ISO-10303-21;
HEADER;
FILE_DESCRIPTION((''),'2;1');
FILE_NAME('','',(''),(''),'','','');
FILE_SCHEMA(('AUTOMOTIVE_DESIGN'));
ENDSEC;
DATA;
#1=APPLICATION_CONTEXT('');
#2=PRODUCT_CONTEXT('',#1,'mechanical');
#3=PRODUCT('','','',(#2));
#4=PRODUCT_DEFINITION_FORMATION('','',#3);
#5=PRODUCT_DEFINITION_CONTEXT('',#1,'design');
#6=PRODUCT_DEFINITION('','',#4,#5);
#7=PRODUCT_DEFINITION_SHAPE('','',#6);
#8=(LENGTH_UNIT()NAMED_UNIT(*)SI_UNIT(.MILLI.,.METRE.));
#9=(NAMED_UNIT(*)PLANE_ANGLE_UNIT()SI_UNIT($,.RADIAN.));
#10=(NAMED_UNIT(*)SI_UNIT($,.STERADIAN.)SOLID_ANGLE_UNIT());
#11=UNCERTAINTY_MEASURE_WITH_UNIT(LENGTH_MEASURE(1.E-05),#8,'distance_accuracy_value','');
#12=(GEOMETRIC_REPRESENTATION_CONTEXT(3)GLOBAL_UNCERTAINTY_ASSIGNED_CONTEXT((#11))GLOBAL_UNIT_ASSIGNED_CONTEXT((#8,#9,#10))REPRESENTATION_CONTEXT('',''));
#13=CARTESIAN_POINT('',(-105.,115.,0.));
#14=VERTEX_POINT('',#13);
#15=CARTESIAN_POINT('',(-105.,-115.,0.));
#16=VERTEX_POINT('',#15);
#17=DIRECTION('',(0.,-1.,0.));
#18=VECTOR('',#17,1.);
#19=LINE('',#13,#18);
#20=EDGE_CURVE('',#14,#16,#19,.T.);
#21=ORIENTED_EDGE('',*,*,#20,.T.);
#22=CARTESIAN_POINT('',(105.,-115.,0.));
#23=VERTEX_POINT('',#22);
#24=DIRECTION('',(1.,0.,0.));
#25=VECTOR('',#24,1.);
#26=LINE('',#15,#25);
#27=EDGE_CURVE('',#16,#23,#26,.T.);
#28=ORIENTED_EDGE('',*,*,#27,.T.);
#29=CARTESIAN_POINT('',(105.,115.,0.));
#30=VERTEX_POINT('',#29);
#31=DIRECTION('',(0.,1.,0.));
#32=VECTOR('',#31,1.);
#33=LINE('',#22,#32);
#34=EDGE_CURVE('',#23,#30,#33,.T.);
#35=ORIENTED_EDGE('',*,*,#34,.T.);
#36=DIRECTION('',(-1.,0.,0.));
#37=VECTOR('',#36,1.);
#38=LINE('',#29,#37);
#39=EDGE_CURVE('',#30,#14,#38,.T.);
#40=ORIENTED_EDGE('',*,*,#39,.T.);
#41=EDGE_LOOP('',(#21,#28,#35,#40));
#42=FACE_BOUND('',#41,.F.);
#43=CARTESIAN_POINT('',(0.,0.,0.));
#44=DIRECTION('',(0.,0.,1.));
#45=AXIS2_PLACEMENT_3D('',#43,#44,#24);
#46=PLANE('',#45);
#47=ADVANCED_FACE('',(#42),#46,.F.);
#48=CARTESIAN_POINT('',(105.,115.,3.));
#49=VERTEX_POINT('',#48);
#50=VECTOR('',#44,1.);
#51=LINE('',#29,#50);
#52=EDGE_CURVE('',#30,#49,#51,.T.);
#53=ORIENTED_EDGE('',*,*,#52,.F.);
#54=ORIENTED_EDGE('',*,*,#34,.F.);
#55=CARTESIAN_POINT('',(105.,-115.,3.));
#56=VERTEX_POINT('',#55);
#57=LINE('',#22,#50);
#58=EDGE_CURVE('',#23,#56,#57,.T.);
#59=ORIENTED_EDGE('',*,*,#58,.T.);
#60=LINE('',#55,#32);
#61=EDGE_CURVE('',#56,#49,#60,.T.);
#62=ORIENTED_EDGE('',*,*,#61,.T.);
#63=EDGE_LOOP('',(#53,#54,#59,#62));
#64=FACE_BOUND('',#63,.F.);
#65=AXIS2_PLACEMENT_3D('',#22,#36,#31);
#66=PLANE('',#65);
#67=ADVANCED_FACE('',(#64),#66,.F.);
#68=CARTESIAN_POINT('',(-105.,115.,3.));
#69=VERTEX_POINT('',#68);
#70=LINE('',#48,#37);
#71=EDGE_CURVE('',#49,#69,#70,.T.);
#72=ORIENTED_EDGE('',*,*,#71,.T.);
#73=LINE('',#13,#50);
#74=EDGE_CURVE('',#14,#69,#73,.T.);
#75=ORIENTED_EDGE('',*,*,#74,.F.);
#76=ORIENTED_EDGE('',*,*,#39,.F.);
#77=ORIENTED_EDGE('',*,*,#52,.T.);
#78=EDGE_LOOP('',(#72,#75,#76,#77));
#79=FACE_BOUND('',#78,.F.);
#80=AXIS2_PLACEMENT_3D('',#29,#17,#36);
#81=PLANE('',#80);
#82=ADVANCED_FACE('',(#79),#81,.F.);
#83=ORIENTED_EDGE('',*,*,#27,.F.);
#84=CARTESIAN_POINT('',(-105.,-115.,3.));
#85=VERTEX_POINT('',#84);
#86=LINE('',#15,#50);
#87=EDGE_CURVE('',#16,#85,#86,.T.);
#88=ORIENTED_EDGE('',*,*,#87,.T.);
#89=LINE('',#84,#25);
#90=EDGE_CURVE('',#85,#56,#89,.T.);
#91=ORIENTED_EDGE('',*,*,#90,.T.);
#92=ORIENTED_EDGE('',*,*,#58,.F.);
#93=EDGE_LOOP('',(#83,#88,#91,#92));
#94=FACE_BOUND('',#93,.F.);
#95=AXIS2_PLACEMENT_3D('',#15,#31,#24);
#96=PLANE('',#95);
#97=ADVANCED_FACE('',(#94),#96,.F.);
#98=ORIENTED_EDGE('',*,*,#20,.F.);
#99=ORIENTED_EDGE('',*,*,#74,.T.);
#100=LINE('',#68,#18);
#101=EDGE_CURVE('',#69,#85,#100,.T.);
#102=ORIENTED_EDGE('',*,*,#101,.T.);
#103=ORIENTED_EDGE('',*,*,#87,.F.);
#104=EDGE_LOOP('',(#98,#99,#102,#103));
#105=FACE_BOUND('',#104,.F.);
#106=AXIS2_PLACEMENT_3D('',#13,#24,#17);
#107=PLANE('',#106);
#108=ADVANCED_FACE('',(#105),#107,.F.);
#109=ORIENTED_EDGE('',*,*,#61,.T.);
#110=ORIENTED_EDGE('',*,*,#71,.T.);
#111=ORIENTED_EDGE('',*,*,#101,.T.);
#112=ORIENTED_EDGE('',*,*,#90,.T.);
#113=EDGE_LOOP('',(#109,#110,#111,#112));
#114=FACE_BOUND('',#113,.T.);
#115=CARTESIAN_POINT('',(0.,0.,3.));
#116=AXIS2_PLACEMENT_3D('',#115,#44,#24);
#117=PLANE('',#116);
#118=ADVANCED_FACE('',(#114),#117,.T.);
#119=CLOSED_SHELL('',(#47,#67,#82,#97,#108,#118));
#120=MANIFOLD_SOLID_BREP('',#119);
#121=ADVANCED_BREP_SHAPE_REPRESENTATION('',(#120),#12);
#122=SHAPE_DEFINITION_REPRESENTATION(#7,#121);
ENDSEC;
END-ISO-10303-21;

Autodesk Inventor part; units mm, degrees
ref_plane "YZ Plane" through (0, 0, 0) normal (1, 0, 0) x (0, 1, 0)
ref_plane "XZ Plane" through (0, 0, 0) normal (0, 1, 0) x (-1, 0, 0)
ref_plane "XY Plane" through (0, 0, 0) normal (0, 0, 1) x (1, 0, 0)
sketch "Sketch1" plane through (0, 0, 0) normal (0, 0, 1) x (1, 0, 0)
  line L0 (-105, -115) -> (105, -115)
  line L1 (105, -115) -> (105, 115)
  line L2 (105, 115) -> (-105, 115)
  line L3 (-105, 115) -> (-105, -115)
  line L4 (-105, -115) -> (105, 115) construction
  line L5 (105, -115) -> (-105, 115) construction
  point P0 (0, 0)
  dimension "d0" = 230
  dimension "d1" = 210
extrude "Extrusion1" add sketch "Sketch1" along normal blind 3
properties part number "AcrylicDiagonal"
